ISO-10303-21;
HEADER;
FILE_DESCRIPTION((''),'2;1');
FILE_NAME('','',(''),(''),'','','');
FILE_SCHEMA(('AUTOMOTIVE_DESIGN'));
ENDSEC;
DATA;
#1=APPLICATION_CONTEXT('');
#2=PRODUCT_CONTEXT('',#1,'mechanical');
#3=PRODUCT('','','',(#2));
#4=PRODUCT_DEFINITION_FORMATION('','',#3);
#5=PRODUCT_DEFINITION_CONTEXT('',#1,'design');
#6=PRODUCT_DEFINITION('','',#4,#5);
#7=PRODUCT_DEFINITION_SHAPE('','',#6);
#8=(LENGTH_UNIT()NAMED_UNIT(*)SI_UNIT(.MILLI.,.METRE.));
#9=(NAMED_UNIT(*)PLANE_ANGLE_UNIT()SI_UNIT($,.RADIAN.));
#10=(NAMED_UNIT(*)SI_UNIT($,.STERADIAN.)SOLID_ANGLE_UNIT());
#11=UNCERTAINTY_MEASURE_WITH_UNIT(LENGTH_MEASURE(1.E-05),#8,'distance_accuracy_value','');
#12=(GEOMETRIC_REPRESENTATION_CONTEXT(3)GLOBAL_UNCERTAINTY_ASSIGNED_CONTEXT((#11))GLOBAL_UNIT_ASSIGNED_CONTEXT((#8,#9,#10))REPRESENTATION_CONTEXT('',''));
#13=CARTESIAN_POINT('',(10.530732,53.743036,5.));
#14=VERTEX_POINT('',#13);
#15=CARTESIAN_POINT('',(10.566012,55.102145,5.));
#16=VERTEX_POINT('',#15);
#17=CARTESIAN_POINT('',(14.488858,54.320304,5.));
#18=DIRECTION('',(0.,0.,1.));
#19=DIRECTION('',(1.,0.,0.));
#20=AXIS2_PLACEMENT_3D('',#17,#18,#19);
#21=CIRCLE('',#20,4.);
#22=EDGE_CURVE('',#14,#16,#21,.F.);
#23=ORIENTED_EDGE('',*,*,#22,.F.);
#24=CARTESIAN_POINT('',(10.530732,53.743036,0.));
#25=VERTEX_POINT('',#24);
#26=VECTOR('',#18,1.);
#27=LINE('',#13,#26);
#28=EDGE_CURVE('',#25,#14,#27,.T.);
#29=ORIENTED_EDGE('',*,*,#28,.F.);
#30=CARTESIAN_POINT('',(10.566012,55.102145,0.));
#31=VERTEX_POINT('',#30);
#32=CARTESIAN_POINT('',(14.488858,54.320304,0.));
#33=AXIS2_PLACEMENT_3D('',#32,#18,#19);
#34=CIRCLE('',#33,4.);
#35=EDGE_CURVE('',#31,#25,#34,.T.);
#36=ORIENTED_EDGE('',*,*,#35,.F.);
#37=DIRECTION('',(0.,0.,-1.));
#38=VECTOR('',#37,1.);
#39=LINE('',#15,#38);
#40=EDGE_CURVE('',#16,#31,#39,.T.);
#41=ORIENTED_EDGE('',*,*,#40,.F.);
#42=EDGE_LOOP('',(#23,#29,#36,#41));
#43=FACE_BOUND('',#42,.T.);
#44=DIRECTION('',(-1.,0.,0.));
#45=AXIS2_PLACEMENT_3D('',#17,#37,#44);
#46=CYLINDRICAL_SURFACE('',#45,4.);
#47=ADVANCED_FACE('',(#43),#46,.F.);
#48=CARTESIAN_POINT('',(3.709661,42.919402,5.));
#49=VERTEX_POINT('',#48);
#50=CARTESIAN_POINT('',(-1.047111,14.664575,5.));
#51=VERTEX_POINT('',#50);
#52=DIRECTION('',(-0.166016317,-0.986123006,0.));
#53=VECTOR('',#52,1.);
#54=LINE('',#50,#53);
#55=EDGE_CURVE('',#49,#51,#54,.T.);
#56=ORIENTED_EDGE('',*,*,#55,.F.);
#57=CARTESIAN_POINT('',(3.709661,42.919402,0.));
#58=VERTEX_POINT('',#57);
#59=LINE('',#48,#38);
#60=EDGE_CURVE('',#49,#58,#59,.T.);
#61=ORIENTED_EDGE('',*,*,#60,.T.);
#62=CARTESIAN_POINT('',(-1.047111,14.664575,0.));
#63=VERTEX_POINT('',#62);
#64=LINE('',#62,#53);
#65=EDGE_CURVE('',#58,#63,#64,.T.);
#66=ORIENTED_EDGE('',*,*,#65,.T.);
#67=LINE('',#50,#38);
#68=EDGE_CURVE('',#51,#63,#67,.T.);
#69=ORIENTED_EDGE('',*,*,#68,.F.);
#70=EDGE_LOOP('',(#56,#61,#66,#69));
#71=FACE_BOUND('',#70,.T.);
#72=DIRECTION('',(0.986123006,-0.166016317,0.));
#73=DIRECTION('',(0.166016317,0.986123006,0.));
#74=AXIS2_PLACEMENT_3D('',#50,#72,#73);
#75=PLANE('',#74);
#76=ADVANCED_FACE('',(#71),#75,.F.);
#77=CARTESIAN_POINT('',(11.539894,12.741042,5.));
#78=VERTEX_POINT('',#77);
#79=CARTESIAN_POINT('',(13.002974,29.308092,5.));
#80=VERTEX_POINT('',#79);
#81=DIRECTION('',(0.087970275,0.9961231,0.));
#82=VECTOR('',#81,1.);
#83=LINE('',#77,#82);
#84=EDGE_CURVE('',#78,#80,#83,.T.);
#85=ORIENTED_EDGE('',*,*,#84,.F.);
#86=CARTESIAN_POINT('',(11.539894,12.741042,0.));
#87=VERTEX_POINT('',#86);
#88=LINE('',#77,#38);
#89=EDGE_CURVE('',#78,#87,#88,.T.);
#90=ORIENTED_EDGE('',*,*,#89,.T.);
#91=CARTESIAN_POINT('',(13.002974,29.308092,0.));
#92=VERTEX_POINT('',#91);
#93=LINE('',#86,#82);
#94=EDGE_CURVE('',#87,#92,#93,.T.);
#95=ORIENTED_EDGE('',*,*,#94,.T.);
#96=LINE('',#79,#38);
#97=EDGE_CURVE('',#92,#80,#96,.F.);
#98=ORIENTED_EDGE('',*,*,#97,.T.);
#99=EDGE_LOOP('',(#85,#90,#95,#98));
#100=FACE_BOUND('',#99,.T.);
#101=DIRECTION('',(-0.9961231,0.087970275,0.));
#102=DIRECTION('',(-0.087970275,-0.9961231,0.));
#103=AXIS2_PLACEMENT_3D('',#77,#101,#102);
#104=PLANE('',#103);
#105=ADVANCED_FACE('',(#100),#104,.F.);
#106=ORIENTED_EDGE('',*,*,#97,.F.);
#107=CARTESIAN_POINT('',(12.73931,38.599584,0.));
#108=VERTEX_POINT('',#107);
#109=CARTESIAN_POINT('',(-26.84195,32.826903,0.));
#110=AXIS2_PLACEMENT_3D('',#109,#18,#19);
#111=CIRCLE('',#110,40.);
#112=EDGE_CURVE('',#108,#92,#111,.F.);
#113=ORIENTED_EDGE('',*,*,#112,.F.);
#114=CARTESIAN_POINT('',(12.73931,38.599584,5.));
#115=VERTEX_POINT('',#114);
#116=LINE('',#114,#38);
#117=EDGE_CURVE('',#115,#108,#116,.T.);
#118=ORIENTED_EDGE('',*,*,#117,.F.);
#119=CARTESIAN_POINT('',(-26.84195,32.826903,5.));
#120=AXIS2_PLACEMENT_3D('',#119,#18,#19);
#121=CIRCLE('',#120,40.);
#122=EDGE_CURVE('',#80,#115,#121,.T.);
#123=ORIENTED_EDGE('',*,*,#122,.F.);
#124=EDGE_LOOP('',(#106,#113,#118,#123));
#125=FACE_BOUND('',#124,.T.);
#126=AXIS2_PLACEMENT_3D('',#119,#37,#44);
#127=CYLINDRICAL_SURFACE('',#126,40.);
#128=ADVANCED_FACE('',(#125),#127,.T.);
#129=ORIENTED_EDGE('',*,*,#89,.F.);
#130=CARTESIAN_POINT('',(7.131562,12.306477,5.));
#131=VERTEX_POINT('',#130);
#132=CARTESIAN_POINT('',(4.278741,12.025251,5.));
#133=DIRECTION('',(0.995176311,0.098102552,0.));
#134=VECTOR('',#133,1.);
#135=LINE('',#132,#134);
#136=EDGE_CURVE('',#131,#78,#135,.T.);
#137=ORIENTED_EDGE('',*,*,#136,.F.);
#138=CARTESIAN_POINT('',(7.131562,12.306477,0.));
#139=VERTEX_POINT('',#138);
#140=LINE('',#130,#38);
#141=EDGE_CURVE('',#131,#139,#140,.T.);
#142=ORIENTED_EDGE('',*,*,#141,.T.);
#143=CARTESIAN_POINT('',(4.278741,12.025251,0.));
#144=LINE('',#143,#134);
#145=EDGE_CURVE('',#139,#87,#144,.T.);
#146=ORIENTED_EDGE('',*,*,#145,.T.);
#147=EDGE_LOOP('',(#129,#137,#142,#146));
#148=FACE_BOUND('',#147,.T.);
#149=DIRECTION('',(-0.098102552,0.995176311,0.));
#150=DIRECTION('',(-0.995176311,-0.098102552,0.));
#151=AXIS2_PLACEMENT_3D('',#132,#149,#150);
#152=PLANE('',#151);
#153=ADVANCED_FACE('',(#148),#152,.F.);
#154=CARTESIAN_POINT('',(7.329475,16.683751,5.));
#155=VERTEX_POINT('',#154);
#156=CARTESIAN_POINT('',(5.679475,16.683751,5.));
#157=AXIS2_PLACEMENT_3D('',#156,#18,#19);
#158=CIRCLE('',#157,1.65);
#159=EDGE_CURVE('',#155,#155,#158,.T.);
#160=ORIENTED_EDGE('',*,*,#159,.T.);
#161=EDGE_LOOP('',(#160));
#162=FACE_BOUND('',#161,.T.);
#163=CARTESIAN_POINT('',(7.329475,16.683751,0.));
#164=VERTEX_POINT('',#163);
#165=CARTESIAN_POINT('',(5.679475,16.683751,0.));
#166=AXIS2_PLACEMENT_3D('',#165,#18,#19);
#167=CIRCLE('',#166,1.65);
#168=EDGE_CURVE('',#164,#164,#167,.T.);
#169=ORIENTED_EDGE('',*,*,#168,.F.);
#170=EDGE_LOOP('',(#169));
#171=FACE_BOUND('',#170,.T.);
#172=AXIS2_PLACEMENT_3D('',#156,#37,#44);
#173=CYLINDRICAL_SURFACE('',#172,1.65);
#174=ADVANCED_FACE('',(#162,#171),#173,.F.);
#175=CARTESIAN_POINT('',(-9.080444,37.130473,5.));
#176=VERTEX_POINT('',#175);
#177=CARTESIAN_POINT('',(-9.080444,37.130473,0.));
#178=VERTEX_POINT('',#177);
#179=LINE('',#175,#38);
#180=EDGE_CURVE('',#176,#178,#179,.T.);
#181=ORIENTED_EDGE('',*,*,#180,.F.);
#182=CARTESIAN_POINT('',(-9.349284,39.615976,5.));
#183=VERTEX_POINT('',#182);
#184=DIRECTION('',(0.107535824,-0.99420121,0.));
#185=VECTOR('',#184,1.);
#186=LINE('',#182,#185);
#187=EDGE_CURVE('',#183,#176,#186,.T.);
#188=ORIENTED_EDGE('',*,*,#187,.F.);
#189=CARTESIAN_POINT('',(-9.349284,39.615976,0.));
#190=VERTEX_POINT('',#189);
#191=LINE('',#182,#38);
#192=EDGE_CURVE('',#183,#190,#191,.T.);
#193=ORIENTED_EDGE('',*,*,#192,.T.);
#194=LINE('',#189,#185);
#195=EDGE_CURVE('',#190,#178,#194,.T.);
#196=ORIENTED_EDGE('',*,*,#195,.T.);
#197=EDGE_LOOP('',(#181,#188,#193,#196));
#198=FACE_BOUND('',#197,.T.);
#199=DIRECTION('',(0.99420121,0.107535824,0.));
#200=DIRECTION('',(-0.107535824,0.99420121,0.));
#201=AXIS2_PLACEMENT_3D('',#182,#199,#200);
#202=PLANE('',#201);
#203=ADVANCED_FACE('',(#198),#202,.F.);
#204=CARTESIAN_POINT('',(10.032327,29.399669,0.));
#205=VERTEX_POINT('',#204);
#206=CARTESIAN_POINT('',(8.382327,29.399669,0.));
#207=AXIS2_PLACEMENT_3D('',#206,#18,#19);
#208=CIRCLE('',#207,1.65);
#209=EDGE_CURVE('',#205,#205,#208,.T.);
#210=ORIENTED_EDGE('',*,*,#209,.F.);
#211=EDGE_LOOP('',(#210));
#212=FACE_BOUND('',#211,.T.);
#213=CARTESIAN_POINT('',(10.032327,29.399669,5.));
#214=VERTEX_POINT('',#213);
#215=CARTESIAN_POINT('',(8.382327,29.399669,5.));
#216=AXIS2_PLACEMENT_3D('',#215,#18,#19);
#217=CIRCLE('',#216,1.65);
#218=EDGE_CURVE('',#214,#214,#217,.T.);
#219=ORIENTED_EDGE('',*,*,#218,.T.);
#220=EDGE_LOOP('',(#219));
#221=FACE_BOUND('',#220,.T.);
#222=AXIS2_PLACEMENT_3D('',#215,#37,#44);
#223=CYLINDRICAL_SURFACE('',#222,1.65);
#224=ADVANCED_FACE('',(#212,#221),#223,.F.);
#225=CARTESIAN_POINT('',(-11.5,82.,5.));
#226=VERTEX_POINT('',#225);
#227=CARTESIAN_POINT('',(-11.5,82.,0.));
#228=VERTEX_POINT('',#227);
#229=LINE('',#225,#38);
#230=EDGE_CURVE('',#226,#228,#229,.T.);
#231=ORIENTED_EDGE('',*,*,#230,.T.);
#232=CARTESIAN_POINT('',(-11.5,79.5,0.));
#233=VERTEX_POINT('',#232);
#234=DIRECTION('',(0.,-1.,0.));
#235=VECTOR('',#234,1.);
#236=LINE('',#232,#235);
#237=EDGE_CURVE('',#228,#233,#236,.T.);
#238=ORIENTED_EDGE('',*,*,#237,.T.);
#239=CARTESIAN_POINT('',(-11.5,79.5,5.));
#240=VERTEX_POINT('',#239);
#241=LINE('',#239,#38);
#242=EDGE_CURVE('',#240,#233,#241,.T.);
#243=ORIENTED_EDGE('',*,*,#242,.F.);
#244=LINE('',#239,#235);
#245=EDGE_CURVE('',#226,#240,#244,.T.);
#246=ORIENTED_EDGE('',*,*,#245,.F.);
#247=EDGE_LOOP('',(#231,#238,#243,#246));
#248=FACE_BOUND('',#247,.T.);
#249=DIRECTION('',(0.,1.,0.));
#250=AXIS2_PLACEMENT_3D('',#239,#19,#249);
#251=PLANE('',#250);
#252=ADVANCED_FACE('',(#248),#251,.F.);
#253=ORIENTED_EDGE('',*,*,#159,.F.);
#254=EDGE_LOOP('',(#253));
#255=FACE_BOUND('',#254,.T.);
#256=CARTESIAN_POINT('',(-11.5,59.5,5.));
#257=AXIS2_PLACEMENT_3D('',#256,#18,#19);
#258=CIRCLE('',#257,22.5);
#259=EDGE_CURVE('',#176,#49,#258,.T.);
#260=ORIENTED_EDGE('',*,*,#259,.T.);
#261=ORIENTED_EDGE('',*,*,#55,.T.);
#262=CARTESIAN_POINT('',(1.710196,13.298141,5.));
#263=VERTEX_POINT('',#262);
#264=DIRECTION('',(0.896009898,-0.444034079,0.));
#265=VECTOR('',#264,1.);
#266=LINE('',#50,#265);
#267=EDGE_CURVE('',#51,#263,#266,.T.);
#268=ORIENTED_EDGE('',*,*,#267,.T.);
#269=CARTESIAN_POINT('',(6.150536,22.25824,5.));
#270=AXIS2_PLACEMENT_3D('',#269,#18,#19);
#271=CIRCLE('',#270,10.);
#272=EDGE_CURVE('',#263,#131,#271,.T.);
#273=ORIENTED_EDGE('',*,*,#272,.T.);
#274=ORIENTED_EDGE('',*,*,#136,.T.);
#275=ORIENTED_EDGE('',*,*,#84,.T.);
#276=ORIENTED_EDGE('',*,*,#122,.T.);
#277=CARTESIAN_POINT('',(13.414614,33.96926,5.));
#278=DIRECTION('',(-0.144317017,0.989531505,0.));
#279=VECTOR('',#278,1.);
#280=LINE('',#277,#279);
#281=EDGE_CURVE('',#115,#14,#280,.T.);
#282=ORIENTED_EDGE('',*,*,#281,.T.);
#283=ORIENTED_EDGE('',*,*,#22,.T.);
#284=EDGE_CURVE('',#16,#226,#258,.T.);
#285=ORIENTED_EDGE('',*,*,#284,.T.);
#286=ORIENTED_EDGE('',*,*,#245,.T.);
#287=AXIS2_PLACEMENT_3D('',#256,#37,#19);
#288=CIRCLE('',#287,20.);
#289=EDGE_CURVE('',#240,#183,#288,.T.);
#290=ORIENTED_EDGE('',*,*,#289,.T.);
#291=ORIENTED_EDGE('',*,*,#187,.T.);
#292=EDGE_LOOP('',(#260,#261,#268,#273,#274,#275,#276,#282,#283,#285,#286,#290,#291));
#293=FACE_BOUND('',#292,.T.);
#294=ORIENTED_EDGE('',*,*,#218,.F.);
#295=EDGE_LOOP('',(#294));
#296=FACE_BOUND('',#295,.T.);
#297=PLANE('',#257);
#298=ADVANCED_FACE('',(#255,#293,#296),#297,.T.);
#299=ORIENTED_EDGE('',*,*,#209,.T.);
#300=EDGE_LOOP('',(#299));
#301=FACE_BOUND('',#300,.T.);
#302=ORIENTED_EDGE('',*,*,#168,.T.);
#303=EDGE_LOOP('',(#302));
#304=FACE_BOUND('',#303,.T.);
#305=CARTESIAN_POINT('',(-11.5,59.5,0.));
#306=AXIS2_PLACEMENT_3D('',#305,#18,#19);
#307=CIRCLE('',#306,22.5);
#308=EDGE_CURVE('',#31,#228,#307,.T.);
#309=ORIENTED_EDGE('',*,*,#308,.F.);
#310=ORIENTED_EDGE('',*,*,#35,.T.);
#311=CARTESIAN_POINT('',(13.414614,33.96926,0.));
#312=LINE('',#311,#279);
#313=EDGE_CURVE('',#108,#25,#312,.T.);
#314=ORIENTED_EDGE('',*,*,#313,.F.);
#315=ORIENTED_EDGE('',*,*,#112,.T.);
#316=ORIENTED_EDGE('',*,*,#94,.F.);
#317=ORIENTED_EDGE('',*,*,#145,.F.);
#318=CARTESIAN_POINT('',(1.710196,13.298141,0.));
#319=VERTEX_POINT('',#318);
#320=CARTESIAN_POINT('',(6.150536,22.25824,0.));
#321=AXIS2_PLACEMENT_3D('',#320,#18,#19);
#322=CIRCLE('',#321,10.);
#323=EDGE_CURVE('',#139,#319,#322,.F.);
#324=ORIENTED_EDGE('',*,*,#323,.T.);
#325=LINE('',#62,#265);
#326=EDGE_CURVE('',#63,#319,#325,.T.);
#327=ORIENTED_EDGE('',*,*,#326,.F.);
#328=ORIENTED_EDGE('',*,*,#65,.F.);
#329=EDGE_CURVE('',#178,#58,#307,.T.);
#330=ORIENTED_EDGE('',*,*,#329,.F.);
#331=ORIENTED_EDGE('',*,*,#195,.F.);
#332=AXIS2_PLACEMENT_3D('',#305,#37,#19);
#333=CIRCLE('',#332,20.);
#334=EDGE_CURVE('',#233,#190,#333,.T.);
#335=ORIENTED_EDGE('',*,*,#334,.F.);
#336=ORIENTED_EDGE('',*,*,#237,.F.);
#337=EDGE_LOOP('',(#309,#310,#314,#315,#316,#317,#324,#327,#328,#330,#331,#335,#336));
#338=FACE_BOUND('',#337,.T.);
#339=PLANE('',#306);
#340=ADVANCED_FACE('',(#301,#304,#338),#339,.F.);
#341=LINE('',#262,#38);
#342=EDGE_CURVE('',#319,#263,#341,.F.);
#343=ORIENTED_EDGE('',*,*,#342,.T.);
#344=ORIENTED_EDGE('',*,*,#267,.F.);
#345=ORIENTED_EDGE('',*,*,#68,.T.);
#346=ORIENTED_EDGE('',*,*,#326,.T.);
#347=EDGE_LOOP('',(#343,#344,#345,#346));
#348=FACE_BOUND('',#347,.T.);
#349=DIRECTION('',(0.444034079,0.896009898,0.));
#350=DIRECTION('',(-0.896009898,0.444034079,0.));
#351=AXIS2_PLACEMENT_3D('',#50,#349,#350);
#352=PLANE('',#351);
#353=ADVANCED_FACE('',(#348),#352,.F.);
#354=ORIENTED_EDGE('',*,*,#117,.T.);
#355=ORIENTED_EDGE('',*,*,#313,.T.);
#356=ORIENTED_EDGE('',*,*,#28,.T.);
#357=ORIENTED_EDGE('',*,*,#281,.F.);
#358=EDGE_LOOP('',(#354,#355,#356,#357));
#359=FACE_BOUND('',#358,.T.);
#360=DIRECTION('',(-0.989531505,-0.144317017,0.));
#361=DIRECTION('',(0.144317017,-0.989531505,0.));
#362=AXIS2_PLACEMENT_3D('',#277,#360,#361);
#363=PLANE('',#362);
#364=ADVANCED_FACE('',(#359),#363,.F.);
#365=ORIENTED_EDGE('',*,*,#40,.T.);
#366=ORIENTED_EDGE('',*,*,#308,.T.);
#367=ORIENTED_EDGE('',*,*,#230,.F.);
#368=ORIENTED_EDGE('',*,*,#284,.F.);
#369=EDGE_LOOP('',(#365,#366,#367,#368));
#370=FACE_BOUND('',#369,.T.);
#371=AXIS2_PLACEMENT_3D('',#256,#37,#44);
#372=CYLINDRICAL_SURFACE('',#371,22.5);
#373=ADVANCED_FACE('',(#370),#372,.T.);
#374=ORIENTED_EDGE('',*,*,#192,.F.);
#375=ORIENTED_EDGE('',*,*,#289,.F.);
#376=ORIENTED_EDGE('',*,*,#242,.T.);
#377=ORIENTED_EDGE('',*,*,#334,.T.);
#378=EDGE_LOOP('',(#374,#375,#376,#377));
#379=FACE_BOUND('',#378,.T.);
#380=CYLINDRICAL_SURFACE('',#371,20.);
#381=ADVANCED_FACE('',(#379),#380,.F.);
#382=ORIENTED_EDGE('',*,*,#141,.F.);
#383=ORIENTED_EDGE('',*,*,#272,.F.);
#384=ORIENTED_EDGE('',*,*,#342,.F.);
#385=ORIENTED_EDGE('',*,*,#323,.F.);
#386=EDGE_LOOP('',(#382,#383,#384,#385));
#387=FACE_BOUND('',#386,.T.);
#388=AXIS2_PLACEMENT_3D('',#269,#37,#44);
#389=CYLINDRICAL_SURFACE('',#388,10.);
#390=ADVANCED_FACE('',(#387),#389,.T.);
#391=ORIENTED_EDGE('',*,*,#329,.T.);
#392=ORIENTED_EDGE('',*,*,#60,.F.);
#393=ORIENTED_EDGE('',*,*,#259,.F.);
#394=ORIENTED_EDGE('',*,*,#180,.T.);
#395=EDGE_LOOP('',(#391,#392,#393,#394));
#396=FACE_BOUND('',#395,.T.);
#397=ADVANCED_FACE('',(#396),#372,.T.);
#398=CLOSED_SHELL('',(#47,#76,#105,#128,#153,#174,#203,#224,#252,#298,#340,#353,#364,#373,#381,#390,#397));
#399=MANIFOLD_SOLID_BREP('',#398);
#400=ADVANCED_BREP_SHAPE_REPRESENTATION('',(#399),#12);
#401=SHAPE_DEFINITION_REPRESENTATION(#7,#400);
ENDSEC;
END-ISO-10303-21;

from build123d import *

# Parameters (mm, degrees)
SKETCH_1_R      = 1.65
EXTRUDE_1_DEPTH = 5
FILLET_2_R      = 4
FILLET_3_R      = 40
FILLET_4_R      = 10


with BuildPart() as part:
    # 草图1 → 凸台-拉伸1 (new body)
    with BuildSketch(Plane.XY):
        with BuildLine():
            Line((-11.5, 79.5), (-11.5, 82))
            ThreePointArc((-11.5, 82), (6.103622298, 73.512939805), (10.426977744, 54.454442843))
            Line((10.426977744, 54.454442843), (13.41461423, 33.96926032))
            Line((13.41461423, 33.96926032), (11.539893904, 12.741041785))
            Line((11.539893904, 12.741041785), (4.278741136, 12.025251419))
            Line((4.278741136, 12.025251419), (-1.047111461, 14.664575003))
            Line((-1.047111461, 14.664575003), (3.709660575, 42.919402146))
            ThreePointArc((3.709660575, 42.919402146), (-2.22232543, 39.001835337), (-9.080443962, 37.130472768))
            Line((-9.080443962, 37.130472768), (-9.349283522, 39.615975794))
            ThreePointArc((-9.349283522, 39.615975794), (8.470985005, 60.576920581), (-11.5, 79.5))
        make_face()
        with Locations((5.679475492, 16.683750627)):
            Circle(SKETCH_1_R, mode=Mode.SUBTRACT)
        with Locations((8.382327473, 29.399669437)):
            Circle(SKETCH_1_R, mode=Mode.SUBTRACT)
    extrude(amount=EXTRUDE_1_DEPTH)

    # 圆角2
    fillet_2_edges = [part.edges().sort_by_distance(p)[0] for p in [
        (10.426977744, 54.454442843, 2.5),
    ]]
    fillet(fillet_2_edges, radius=FILLET_2_R)

    # 圆角3
    fillet_3_edges = [part.edges().sort_by_distance(p)[0] for p in [
        (13.41461423, 33.96926032, 2.5),
    ]]
    fillet(fillet_3_edges, radius=FILLET_3_R)

    # 圆角4
    fillet_4_edges = [part.edges().sort_by_distance(p)[0] for p in [
        (4.278741136, 12.025251419, 2.5),
    ]]
    fillet(fillet_4_edges, radius=FILLET_4_R)


solid = part.part
